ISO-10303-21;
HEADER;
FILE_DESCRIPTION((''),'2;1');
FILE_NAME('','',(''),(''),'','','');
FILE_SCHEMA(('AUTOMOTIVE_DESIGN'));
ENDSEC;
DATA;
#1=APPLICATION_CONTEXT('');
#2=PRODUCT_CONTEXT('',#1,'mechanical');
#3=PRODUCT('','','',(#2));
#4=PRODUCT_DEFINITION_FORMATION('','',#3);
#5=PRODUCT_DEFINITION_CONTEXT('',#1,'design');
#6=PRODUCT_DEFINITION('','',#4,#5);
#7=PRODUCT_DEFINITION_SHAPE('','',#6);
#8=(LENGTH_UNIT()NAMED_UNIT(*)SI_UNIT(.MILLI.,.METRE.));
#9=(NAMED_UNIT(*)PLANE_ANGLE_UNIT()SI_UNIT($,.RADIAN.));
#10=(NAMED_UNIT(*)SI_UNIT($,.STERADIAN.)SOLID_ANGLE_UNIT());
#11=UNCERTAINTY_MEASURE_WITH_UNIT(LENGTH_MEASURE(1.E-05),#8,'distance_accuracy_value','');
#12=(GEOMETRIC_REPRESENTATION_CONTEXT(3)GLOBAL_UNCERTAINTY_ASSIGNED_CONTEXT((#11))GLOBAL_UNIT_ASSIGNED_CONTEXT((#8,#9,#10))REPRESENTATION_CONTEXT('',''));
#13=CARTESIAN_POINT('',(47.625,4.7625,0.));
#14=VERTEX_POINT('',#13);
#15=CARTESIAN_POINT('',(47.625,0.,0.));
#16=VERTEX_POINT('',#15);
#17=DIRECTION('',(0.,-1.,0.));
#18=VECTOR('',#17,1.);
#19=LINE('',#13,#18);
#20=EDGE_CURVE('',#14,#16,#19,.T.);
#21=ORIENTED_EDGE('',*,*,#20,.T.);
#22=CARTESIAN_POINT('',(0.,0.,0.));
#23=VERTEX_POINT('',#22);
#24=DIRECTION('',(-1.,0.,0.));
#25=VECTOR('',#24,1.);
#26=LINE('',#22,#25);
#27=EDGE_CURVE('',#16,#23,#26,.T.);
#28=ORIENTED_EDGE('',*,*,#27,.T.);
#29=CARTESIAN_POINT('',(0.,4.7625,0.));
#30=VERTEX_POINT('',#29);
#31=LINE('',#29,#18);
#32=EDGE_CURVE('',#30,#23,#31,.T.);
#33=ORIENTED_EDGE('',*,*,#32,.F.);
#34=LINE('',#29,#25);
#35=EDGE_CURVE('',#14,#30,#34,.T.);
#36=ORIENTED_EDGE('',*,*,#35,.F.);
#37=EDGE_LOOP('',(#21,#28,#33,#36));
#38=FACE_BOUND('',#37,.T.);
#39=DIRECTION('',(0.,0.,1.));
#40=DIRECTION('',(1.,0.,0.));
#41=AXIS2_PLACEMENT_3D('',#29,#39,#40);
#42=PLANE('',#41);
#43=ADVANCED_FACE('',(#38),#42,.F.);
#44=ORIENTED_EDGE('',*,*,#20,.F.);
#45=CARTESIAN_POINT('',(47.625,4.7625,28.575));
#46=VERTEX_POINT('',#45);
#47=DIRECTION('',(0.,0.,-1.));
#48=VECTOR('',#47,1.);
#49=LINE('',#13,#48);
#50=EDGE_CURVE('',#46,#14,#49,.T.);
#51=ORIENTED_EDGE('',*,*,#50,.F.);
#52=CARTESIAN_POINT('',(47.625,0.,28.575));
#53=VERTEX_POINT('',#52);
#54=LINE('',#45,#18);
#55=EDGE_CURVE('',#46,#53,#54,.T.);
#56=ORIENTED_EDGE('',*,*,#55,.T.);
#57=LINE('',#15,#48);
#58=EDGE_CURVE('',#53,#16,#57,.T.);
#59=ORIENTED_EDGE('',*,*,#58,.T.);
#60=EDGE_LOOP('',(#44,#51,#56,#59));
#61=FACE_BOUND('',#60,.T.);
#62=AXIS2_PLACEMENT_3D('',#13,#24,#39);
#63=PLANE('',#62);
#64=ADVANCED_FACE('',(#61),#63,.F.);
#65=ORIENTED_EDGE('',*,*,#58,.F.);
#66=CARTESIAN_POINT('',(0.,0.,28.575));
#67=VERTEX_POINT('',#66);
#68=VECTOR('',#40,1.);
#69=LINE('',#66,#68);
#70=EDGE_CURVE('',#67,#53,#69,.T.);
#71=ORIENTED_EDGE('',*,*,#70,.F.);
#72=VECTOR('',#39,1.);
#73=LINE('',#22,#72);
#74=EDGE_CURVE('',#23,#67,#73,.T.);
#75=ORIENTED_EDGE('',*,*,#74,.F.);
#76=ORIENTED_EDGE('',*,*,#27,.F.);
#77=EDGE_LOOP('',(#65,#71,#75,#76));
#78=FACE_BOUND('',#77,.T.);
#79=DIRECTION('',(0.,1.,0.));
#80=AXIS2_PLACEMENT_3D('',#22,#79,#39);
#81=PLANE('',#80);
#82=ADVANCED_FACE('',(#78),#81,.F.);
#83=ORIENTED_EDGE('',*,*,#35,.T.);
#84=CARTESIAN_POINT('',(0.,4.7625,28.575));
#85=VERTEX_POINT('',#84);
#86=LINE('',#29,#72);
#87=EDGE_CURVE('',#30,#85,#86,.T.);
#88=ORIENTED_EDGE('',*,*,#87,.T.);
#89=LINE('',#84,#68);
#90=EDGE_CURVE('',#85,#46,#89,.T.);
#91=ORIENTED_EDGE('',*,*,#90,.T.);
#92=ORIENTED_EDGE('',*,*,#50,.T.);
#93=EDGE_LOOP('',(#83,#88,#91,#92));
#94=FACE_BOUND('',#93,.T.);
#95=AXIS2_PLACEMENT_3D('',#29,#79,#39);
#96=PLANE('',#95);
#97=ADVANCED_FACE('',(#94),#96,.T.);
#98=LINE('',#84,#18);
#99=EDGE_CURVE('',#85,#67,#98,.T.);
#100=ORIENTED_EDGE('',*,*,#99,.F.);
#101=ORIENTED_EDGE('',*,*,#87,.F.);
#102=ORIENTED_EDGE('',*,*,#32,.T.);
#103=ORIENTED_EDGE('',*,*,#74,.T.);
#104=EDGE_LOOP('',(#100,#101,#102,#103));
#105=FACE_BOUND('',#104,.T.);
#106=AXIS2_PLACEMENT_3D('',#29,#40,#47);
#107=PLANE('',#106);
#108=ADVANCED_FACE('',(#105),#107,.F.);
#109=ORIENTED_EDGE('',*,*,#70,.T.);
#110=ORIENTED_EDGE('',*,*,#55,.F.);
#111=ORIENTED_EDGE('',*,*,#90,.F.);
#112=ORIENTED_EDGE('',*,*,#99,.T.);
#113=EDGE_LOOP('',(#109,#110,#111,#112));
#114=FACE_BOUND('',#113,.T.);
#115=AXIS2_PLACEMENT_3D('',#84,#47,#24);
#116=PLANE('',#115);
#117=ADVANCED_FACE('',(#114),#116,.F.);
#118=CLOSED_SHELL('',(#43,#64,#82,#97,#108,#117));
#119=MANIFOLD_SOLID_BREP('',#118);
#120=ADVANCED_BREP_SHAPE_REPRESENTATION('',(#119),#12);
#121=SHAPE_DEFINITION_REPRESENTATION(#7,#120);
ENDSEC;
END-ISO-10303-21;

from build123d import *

# Parameters (mm, degrees)
SKETCH1_W           = 47.625
SKETCH1_H           = 28.575
BOSS_EXTRUDE1_DEPTH = 4.7625


with BuildPart() as part:
    # Sketch1 → Boss-Extrude1 (new body)
    with BuildSketch(Plane(origin=(0, 0, 0), x_dir=(1, 0, 0), z_dir=(0, 1, 0))):
        with Locations((23.8125, -14.2875)):
            Rectangle(SKETCH1_W, SKETCH1_H)
    extrude(amount=BOSS_EXTRUDE1_DEPTH)


solid = part.part
